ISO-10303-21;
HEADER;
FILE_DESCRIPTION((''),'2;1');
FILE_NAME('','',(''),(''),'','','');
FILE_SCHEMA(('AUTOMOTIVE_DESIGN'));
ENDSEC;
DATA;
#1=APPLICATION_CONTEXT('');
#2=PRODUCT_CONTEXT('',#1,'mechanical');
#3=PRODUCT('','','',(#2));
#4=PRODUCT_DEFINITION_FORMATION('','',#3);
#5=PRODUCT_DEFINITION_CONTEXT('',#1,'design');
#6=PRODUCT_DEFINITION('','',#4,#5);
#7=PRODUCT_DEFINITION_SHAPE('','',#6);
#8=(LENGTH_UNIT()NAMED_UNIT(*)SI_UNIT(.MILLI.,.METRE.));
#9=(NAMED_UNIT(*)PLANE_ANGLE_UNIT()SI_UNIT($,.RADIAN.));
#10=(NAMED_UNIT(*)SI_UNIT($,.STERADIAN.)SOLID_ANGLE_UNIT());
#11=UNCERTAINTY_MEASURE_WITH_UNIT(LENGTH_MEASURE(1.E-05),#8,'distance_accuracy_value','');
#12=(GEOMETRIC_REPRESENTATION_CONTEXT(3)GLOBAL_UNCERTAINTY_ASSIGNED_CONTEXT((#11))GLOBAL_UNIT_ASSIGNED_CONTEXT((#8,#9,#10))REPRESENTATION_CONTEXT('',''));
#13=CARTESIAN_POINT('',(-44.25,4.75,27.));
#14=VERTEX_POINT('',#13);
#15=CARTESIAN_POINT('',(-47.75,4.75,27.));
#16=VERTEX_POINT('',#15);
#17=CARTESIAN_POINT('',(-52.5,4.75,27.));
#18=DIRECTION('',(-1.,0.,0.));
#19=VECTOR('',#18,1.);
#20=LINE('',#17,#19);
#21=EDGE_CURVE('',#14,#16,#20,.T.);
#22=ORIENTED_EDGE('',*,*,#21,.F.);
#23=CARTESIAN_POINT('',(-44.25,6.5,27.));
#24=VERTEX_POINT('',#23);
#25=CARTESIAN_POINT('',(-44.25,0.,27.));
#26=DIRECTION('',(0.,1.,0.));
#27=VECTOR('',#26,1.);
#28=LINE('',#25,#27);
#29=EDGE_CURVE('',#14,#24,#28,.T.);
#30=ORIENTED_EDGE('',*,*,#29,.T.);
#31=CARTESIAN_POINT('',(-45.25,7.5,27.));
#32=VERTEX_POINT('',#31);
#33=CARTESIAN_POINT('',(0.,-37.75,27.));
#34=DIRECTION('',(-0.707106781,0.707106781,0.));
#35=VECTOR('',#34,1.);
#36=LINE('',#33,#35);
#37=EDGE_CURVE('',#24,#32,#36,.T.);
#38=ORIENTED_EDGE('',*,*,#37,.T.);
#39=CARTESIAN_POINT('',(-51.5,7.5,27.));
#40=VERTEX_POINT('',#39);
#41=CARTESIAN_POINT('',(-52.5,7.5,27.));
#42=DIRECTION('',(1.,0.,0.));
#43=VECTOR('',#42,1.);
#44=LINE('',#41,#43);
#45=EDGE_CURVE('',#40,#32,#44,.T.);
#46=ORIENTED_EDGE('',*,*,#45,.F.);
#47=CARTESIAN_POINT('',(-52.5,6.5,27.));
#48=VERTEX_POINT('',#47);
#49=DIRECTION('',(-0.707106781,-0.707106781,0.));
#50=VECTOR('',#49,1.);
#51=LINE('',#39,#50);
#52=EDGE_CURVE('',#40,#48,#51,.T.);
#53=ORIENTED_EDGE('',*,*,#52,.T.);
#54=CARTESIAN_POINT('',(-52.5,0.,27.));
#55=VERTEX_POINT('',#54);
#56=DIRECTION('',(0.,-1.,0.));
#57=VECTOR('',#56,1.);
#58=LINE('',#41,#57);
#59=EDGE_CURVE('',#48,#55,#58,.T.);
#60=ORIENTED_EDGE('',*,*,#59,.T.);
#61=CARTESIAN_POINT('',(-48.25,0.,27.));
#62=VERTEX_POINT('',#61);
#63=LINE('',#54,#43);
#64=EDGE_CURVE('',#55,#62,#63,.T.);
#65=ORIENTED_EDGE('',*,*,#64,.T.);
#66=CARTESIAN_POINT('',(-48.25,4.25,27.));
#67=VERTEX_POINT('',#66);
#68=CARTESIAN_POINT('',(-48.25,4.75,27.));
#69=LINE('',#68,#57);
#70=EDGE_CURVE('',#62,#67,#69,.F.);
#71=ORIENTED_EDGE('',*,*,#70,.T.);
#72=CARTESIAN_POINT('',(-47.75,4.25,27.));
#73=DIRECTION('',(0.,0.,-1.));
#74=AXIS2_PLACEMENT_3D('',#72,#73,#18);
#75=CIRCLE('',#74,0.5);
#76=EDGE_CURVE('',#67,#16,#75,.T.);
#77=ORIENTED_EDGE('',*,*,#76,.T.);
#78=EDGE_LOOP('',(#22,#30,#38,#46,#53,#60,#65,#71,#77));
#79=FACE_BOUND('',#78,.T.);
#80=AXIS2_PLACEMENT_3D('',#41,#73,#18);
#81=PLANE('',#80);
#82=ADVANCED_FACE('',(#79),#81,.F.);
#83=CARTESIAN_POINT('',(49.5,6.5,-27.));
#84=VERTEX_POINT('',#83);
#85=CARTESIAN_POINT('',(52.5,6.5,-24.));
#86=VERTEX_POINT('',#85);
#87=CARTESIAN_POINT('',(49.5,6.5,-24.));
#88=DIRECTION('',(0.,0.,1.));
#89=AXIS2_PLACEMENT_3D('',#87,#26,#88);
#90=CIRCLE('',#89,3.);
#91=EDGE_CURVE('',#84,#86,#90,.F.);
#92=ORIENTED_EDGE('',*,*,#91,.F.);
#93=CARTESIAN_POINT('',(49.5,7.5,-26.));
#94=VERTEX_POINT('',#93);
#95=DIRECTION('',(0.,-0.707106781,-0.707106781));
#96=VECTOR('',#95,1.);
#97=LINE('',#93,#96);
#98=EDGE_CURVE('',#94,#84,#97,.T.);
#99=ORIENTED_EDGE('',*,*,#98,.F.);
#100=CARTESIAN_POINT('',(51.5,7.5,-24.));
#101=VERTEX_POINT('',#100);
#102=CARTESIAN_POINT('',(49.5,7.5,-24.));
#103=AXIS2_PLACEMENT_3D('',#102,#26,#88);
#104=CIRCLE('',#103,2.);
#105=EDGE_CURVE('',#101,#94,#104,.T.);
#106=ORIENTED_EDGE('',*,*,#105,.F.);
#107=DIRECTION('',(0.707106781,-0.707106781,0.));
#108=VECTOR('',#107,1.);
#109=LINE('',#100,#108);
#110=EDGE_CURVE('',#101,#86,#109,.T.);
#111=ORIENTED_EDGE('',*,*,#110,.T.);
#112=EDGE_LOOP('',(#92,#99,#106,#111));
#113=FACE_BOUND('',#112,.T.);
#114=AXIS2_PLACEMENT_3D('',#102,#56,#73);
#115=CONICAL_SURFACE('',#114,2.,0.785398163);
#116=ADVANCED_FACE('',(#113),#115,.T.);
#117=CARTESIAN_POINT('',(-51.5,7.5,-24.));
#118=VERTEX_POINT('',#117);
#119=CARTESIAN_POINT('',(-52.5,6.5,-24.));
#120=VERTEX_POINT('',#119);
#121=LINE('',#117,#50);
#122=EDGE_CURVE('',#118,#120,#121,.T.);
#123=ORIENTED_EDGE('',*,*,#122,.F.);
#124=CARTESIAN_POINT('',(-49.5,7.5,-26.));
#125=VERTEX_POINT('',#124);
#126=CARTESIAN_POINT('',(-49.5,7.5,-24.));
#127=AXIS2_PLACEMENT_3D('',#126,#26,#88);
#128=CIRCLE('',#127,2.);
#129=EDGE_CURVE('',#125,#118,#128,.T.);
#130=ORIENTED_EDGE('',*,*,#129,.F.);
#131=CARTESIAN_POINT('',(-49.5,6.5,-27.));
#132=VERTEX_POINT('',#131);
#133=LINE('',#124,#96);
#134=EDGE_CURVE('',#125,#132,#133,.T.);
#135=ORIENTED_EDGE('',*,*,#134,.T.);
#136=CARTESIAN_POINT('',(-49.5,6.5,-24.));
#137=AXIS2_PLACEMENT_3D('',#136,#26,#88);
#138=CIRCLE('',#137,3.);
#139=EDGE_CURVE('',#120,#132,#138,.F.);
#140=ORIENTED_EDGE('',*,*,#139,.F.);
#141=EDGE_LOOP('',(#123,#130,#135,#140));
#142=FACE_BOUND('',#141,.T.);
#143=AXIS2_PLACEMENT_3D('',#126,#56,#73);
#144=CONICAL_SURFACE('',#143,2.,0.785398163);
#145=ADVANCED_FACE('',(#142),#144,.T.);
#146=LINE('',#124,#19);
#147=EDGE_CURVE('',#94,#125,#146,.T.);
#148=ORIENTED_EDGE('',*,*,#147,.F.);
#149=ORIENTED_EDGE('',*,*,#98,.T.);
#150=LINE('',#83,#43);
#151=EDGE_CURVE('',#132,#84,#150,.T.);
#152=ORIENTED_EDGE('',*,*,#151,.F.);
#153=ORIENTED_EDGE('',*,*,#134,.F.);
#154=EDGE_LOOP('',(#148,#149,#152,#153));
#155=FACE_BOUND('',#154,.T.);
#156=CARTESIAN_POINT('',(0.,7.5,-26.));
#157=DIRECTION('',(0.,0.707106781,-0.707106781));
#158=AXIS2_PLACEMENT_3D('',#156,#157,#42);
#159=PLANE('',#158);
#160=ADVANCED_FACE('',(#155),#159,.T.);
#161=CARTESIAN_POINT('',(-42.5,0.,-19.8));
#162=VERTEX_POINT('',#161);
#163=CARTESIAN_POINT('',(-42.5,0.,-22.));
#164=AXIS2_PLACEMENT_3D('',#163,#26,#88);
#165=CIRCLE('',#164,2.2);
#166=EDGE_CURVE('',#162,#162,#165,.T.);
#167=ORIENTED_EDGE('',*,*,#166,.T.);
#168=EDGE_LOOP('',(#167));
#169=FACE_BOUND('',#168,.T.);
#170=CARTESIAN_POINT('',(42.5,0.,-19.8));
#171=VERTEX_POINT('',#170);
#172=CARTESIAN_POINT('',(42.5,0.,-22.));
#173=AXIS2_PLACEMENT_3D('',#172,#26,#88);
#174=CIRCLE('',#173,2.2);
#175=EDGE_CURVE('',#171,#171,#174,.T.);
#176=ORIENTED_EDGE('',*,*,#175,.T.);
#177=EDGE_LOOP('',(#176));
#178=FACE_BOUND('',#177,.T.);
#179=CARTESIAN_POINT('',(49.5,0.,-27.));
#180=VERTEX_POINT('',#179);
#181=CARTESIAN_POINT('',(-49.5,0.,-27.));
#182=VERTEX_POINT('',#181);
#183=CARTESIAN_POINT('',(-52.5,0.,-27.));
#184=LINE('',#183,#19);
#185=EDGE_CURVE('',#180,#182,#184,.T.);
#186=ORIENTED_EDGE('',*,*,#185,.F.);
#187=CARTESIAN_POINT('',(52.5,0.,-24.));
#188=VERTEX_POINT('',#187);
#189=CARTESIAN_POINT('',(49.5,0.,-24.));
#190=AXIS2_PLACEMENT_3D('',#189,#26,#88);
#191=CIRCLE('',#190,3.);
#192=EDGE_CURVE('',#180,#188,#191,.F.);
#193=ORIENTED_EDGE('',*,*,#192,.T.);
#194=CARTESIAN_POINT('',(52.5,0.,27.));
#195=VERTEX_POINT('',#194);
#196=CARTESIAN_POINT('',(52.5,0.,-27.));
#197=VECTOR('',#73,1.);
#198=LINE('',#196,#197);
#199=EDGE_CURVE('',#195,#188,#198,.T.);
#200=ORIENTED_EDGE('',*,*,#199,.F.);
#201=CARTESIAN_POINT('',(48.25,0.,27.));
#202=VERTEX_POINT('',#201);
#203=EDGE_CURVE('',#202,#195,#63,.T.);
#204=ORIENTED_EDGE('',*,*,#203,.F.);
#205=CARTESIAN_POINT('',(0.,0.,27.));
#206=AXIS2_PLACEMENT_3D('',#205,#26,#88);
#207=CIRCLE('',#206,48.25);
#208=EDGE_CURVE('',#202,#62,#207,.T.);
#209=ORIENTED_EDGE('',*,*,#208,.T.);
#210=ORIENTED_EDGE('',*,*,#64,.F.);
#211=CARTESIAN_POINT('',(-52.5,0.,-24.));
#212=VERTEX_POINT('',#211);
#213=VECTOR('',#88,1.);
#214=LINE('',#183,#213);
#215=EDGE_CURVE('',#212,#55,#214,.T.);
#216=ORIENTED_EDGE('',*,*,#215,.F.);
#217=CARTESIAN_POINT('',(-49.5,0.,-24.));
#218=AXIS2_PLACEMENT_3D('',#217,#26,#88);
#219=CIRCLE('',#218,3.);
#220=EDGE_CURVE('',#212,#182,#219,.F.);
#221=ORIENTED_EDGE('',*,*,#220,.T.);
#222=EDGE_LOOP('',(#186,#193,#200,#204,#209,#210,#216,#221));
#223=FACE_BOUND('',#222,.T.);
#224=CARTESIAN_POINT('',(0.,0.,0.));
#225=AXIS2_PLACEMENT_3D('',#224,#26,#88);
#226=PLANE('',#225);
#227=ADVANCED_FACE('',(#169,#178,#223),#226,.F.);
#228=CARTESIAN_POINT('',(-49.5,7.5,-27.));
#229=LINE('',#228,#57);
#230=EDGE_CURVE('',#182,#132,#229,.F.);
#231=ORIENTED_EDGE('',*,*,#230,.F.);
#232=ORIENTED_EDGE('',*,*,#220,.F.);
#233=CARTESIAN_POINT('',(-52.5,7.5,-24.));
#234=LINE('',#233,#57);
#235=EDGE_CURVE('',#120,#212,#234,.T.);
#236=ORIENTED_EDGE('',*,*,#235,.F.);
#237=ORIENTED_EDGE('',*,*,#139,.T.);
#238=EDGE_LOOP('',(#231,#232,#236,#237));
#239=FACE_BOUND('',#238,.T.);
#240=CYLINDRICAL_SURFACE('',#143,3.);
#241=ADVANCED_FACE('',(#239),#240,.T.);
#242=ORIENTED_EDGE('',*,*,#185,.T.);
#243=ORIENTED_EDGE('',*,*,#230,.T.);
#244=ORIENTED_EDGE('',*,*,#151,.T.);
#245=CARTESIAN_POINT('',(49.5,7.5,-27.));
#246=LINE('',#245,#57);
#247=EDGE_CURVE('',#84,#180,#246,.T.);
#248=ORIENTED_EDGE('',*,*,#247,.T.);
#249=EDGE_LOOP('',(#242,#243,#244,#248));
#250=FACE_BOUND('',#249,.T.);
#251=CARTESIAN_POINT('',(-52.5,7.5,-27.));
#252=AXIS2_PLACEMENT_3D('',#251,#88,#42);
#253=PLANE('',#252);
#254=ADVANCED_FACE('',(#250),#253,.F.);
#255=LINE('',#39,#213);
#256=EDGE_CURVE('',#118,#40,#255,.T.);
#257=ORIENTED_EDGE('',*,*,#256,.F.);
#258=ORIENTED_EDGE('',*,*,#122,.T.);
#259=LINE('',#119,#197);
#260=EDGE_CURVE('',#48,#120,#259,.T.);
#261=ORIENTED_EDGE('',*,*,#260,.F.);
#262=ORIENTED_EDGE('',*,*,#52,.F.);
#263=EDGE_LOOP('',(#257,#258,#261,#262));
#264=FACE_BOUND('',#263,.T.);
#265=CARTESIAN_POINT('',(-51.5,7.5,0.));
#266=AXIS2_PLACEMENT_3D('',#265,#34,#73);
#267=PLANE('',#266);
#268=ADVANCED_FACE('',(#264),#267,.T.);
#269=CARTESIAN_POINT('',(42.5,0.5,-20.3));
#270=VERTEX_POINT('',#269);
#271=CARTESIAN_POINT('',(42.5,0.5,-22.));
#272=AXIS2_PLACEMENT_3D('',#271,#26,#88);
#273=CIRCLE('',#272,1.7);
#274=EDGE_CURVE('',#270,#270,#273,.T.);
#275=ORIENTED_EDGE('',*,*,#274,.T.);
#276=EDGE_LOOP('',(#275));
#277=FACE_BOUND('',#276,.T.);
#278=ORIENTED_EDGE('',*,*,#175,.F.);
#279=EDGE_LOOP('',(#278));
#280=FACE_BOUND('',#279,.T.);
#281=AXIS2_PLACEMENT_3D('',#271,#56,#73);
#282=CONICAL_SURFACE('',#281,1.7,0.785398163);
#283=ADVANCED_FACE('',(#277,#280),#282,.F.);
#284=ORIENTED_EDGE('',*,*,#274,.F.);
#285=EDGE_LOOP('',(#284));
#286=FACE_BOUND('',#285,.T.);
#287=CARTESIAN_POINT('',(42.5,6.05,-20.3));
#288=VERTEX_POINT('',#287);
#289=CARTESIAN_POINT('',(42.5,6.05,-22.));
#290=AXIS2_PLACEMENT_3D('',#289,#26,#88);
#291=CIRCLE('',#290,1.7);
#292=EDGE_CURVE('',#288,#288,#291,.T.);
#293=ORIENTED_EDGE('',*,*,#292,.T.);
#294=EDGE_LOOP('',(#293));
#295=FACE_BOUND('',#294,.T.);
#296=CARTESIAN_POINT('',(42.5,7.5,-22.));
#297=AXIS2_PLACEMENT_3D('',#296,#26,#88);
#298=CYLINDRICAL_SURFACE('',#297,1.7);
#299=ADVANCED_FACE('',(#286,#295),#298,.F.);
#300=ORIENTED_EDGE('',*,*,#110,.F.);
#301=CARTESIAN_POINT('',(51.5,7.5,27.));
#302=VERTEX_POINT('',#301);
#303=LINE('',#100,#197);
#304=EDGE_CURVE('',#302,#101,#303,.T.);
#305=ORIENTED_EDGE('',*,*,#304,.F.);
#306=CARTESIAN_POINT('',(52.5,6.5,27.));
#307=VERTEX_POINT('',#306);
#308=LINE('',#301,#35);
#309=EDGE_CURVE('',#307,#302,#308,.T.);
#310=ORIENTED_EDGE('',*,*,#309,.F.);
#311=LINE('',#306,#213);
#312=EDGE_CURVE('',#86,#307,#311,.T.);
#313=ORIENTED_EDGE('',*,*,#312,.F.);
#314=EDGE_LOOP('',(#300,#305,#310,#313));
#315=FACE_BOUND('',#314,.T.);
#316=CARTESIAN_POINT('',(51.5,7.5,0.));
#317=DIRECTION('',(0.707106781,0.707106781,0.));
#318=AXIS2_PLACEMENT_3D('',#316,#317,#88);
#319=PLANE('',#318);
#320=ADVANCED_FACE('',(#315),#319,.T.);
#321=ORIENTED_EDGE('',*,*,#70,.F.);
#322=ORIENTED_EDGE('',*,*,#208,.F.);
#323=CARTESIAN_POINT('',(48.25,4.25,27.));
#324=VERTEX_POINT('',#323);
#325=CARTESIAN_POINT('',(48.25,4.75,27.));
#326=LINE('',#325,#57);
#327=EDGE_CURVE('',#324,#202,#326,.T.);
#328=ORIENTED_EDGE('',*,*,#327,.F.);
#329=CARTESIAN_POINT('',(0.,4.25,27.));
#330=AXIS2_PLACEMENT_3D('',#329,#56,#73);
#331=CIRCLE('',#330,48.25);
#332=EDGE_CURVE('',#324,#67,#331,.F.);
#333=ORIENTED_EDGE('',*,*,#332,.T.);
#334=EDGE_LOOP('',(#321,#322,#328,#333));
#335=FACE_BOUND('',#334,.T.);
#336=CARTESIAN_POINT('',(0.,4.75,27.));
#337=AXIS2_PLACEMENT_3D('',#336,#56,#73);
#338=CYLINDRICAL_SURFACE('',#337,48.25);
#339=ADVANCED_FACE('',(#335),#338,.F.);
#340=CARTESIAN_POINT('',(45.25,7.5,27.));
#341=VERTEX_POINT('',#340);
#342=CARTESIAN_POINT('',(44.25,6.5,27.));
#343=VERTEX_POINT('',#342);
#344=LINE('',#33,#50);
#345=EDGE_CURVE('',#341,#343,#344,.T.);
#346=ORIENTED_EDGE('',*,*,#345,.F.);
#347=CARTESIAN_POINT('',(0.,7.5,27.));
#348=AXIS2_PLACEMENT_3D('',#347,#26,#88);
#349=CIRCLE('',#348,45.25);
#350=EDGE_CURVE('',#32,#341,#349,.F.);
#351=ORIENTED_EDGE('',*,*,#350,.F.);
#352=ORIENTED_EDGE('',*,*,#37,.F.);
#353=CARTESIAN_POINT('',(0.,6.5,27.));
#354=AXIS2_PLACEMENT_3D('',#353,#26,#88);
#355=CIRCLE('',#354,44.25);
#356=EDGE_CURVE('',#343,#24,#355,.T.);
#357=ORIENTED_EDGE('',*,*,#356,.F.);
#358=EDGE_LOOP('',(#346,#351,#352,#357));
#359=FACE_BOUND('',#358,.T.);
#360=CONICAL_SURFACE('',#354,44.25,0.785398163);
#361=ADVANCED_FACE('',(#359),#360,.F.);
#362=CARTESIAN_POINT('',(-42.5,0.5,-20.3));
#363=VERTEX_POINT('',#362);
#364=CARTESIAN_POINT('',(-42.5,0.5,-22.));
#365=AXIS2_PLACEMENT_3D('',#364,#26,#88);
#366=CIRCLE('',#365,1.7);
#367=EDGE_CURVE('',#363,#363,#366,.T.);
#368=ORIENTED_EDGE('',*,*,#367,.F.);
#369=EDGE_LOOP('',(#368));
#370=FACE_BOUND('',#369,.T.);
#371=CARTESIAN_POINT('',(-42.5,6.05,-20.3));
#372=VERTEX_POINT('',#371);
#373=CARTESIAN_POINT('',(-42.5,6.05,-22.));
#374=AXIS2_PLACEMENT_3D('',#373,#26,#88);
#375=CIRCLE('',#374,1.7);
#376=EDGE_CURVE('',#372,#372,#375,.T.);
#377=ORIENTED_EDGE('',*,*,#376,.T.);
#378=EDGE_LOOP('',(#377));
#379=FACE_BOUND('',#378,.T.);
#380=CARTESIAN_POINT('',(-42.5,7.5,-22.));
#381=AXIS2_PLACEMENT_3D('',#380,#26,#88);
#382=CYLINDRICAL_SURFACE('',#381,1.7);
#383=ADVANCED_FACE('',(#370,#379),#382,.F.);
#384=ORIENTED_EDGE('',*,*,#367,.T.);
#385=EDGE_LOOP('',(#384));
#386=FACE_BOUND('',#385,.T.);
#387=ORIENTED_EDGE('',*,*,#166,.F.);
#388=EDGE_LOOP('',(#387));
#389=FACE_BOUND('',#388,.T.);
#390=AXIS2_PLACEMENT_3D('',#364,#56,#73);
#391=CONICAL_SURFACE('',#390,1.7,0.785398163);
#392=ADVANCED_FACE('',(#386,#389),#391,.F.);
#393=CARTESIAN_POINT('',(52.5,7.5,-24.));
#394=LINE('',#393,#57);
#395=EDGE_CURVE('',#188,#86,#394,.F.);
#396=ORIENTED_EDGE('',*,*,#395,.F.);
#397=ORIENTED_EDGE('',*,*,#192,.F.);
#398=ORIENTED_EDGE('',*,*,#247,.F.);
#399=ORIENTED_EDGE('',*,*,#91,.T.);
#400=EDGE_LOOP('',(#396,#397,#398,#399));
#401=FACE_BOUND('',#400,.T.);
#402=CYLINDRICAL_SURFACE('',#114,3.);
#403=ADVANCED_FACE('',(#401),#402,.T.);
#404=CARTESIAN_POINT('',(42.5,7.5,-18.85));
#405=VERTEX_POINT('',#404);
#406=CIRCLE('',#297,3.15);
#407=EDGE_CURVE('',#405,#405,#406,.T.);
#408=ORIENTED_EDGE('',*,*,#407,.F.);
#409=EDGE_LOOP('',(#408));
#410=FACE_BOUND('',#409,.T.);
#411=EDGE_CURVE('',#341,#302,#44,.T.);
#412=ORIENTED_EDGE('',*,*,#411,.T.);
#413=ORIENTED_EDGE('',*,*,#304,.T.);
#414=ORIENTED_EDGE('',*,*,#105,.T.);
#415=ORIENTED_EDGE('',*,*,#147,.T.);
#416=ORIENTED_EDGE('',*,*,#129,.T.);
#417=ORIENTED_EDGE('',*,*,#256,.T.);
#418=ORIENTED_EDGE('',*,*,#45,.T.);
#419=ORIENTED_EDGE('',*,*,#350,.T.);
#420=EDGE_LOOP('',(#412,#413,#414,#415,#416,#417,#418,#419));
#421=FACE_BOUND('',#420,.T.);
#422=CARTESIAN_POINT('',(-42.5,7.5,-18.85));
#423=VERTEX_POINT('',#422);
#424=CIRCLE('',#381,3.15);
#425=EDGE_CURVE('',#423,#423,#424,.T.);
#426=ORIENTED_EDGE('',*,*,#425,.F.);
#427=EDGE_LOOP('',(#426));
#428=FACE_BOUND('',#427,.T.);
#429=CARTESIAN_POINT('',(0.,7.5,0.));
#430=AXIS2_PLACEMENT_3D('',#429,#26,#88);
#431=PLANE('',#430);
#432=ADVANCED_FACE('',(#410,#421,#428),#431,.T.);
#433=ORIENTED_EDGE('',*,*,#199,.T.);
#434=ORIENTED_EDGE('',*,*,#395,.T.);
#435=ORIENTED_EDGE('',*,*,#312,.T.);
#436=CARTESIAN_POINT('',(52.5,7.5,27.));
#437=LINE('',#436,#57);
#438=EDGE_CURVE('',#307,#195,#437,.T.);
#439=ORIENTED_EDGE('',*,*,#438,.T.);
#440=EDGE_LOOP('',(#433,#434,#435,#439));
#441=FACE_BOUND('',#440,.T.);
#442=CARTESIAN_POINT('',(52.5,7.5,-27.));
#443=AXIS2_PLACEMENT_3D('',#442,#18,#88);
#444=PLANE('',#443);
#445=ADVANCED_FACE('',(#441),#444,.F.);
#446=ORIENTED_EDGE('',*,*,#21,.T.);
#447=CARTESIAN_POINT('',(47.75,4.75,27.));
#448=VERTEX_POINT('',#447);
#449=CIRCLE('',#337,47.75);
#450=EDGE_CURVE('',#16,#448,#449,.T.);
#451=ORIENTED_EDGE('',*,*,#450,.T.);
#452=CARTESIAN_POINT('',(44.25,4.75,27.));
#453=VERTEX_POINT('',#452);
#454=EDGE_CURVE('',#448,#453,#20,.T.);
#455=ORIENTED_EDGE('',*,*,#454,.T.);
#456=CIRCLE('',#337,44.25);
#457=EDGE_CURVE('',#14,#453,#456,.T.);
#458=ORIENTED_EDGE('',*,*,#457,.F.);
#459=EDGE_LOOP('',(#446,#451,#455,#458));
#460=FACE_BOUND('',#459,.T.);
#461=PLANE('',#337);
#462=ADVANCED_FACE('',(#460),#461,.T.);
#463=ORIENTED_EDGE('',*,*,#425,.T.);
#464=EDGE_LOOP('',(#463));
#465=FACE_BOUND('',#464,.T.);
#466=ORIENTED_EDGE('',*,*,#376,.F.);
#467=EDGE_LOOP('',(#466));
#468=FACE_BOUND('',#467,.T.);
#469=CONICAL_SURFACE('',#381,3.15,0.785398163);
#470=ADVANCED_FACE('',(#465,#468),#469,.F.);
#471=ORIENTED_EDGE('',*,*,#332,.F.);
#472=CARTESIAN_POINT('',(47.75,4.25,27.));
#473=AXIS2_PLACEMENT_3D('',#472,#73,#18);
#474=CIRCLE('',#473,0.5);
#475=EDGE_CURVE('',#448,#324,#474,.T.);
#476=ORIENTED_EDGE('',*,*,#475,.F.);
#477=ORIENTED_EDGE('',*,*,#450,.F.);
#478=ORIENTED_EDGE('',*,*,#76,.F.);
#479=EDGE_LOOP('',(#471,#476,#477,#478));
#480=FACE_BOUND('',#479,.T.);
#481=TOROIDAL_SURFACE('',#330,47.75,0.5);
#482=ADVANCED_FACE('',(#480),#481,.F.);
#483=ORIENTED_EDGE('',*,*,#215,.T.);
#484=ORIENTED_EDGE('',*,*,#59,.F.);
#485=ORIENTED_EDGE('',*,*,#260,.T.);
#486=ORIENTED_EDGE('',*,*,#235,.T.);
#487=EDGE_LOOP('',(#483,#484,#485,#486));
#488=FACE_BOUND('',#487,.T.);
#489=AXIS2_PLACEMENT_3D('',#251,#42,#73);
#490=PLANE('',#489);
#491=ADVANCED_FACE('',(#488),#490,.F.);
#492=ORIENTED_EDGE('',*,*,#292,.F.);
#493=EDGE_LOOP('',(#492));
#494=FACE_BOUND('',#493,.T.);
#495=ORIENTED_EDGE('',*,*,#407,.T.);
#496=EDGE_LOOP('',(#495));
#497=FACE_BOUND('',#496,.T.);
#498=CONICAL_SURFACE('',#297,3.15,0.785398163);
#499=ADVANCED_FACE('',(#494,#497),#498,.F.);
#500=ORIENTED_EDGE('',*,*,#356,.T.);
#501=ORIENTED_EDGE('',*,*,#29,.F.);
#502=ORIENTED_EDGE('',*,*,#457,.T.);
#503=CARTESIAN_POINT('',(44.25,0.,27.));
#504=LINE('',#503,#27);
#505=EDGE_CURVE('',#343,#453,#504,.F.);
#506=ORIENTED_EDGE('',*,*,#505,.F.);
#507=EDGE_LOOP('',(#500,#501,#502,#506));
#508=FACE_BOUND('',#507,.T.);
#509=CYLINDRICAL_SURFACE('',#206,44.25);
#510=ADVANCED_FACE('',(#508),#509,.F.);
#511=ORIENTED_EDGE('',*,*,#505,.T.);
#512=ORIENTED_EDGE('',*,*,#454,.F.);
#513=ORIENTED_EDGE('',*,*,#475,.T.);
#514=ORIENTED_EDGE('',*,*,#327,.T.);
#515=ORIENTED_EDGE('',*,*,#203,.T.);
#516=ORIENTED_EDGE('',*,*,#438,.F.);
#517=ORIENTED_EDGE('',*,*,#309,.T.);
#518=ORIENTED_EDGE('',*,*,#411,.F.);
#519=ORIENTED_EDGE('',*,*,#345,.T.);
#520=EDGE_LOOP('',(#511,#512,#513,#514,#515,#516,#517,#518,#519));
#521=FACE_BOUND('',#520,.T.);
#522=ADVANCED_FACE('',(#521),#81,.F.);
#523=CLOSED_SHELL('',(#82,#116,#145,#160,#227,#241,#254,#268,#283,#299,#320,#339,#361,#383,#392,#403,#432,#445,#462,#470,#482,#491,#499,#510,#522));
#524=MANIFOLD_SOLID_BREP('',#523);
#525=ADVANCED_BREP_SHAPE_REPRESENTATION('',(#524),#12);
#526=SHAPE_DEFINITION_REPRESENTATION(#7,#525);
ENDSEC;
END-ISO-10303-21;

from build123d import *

# Parameters (mm, degrees)
SKETCH1_W                                      = 105
SKETCH1_H                                      = 54
BOSS_EXTRUDE2_DEPTH                            = 7.5
SKETCH2_R                                      = 48.25
CUT_EXTRUDE1_DEPTH                             = 4.75
SKETCH3_R                                      = 44.25
CUT_EXTRUDE2_DEPTH                             = 60.510503275
CSK_FOR_M3_FLAT_HEAD_MACHINE_SCREW1_AT_2_COUNT = 2
CSK_FOR_M3_FLAT_HEAD_MACHINE_SCREW1_AT_2_PITCH = 85
FILLET1_R                                      = 3
CHAMFER1_SIZE                                  = 1
FILLET2_R                                      = 0.5


with BuildPart() as part:
    # Sketch1 → Boss-Extrude2 (new body)
    with BuildSketch(Plane(origin=(0, 0, 0), x_dir=(1, 0, 0), z_dir=(0, 1, 0))):
        Rectangle(SKETCH1_W, SKETCH1_H)
    extrude(amount=BOSS_EXTRUDE2_DEPTH)

    # Sketch2 → Cut-Extrude1 (cut)
    with BuildSketch(Plane.XZ):
        with Locations((0, 27)):
            Circle(SKETCH2_R)
    extrude(amount=-CUT_EXTRUDE1_DEPTH, mode=Mode.SUBTRACT)

    # Sketch3 → Cut-Extrude2 (cut, through all)
    with BuildSketch(Plane(origin=(0, 7.5, 0), x_dir=(1, 0, 0), z_dir=(0, 1, 0))):
        with Locations((0, -27)):
            Circle(SKETCH3_R)
    extrude(amount=-CUT_EXTRUDE2_DEPTH, mode=Mode.SUBTRACT)

    # Sketch5 → CSK for M3 Flat Head Machine Screw1 (revolve, cut)
    with BuildSketch(Plane(origin=(-42.5, 7.5, -22), x_dir=(0, 0, 1), z_dir=(1, 0, 0))):
        Polygon((0, 0), (0, 7.5), (2.2, 7.5), (1.7, 7), (1.7, 1.45), (3.15, 0), align=None)
    csk_for_m3_flat_head_machine_screw1 = revolve(axis=Axis((-42.5, 13.85, -22), (0, -1, 0)), mode=Mode.SUBTRACT)

    # CSK for M3 Flat Head Machine Screw1 at 2: CSK for M3 Flat Head Machine Screw1 ×2
    with Locations(*[(i * CSK_FOR_M3_FLAT_HEAD_MACHINE_SCREW1_AT_2_PITCH, 0, 0) for i in range(1, CSK_FOR_M3_FLAT_HEAD_MACHINE_SCREW1_AT_2_COUNT)]):
        add(csk_for_m3_flat_head_machine_screw1, mode=Mode.SUBTRACT)

    # Fillet1
    fillet1_edges = [part.edges().sort_by_distance(p)[0] for p in [
        (-52.5, 3.75, -27),
        (52.5, 3.75, -27),
    ]]
    fillet(fillet1_edges, radius=FILLET1_R)

    # Chamfer1
    chamfer1_edges = [part.edges().sort_by_distance(p)[0] for p in [
        (0, 7.5, -17.25),
        (52.5, 7.5, 1.5),
        (-52.5, 7.5, 1.5),
        (0, 7.5, -27),
        (51.621320344, 7.5, -26.121320344),
        (-51.621320344, 7.5, -26.121320344),
    ]]
    chamfer(chamfer1_edges, length=CHAMFER1_SIZE)

    # Fillet2
    fillet2_edges = [part.edges().sort_by_distance(p)[0] for p in [
        (0, 4.75, -21.25),
    ]]
    fillet(fillet2_edges, radius=FILLET2_R)


solid = part.part
